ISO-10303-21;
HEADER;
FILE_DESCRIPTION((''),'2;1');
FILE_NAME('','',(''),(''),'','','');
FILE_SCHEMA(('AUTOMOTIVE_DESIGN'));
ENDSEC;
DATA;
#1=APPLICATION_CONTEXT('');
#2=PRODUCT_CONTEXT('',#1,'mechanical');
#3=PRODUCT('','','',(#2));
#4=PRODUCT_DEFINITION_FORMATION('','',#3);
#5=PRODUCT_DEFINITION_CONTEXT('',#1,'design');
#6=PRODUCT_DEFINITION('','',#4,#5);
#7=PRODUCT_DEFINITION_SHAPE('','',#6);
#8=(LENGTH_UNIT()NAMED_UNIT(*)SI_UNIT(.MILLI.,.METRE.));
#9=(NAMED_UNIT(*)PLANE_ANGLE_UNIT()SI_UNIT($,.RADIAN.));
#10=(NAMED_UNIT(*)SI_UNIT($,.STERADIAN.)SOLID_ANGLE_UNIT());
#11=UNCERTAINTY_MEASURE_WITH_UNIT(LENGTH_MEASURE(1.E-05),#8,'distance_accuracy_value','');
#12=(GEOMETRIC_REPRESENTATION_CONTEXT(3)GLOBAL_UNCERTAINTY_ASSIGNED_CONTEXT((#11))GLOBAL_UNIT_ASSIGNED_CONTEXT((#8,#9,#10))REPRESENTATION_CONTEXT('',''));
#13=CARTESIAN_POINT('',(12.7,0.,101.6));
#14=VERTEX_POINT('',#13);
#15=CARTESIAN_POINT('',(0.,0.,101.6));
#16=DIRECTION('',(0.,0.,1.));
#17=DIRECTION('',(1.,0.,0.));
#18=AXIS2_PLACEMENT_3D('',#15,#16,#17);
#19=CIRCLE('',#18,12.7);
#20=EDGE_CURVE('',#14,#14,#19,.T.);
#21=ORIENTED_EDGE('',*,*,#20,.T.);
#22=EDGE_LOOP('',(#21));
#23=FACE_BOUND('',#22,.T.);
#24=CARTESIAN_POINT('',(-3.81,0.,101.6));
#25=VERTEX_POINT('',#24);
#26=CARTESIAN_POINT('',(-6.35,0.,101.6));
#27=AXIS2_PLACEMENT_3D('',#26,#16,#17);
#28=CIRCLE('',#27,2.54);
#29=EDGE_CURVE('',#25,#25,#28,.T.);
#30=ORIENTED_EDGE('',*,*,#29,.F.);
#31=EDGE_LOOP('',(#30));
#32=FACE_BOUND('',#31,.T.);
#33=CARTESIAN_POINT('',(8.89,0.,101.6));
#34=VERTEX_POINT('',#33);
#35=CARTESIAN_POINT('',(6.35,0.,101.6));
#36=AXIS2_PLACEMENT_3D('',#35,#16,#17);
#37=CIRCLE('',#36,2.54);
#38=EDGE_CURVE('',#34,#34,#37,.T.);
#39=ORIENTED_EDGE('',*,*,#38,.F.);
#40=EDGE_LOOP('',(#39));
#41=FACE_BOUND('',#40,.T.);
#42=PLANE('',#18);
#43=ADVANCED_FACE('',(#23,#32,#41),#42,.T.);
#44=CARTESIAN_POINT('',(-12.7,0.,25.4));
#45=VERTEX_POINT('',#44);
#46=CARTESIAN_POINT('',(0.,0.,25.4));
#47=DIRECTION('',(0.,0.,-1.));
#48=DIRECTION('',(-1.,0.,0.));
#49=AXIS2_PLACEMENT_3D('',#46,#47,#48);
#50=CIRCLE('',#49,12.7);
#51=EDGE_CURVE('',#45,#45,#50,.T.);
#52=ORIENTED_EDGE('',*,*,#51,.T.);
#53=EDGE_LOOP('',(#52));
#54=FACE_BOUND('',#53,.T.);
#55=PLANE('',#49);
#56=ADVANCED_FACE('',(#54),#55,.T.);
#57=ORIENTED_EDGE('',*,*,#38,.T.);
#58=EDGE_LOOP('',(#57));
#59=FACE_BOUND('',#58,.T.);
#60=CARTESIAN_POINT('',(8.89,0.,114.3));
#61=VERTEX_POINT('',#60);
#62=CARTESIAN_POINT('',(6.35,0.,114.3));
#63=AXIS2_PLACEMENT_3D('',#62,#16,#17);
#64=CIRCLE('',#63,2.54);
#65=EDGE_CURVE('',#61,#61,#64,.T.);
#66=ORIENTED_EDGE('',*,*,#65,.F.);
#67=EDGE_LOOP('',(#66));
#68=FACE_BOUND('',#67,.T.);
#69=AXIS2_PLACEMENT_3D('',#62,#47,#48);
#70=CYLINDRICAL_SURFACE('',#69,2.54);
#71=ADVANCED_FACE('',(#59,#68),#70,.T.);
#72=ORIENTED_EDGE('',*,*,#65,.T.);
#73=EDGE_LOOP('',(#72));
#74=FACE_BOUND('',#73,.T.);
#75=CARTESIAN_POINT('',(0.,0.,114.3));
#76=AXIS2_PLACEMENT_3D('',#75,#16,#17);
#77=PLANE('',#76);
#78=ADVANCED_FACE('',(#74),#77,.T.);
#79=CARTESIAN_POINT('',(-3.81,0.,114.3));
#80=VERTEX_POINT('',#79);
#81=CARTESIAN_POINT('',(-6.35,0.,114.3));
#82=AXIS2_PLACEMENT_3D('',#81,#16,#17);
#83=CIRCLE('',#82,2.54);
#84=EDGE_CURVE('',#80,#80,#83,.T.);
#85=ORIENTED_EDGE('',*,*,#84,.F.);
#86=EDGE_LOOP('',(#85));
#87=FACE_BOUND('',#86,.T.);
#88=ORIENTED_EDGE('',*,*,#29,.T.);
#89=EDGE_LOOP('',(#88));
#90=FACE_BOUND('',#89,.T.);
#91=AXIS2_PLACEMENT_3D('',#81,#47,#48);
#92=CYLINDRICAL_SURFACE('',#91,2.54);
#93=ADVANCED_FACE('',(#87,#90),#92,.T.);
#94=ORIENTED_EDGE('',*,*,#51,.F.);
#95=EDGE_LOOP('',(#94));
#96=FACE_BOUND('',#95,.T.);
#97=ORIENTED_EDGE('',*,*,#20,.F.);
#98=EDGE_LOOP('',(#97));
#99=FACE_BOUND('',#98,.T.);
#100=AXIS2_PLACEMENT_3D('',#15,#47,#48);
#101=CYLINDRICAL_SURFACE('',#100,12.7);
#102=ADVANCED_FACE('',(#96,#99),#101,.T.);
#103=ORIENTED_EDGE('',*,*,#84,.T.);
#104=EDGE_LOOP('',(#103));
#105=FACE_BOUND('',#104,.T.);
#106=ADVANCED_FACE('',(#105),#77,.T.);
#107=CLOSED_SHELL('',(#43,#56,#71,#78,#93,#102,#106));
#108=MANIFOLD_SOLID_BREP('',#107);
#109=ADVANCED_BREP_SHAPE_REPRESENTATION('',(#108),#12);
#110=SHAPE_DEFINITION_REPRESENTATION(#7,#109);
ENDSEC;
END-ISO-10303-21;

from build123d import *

# Parameters (mm, degrees)
SKETCH2_R           = 12.7
BOSS_EXTRUDE1_DEPTH = 101.6
BOSS_EXTRUDE2_DEPTH = 12.7
SKETCH4_R           = 14.196290171
CUT_EXTRUDE1_DEPTH  = 25.4


with BuildPart() as part:
    # Sketch2 → Boss-Extrude1 (new body)
    with BuildSketch(Plane.XY):
        Circle(SKETCH2_R)
    extrude(amount=BOSS_EXTRUDE1_DEPTH)

    # Sketch3 → Boss-Extrude2 (add)
    with BuildSketch(Plane.XY.offset(101.6)):
        with BuildLine():
            ThreePointArc((-8.89, 0), (-6.35, -2.54), (-3.81, 0))
            Line((-3.81, 0), (-8.89, 0))
        make_face()
        with BuildLine():
            Line((-8.89, 0), (-3.81, 0))
            ThreePointArc((-3.81, 0), (-6.35, 2.54), (-8.89, 0))
        make_face()
        with BuildLine():
            ThreePointArc((8.89, 0), (6.35, 2.54), (3.81, 0))
            Line((3.81, 0), (8.89, 0))
        make_face()
        with BuildLine():
            Line((8.89, 0), (3.81, 0))
            ThreePointArc((3.81, 0), (6.35, -2.54), (8.89, 0))
        make_face()
    extrude(amount=BOSS_EXTRUDE2_DEPTH)

    # Sketch4 → Cut-Extrude1 (cut)
    with BuildSketch(Plane(origin=(0, 0, 0), x_dir=(-1, 0, 0), z_dir=(0, 0, -1))):
        Circle(SKETCH4_R)
    extrude(amount=-CUT_EXTRUDE1_DEPTH, mode=Mode.SUBTRACT)


solid = part.part
